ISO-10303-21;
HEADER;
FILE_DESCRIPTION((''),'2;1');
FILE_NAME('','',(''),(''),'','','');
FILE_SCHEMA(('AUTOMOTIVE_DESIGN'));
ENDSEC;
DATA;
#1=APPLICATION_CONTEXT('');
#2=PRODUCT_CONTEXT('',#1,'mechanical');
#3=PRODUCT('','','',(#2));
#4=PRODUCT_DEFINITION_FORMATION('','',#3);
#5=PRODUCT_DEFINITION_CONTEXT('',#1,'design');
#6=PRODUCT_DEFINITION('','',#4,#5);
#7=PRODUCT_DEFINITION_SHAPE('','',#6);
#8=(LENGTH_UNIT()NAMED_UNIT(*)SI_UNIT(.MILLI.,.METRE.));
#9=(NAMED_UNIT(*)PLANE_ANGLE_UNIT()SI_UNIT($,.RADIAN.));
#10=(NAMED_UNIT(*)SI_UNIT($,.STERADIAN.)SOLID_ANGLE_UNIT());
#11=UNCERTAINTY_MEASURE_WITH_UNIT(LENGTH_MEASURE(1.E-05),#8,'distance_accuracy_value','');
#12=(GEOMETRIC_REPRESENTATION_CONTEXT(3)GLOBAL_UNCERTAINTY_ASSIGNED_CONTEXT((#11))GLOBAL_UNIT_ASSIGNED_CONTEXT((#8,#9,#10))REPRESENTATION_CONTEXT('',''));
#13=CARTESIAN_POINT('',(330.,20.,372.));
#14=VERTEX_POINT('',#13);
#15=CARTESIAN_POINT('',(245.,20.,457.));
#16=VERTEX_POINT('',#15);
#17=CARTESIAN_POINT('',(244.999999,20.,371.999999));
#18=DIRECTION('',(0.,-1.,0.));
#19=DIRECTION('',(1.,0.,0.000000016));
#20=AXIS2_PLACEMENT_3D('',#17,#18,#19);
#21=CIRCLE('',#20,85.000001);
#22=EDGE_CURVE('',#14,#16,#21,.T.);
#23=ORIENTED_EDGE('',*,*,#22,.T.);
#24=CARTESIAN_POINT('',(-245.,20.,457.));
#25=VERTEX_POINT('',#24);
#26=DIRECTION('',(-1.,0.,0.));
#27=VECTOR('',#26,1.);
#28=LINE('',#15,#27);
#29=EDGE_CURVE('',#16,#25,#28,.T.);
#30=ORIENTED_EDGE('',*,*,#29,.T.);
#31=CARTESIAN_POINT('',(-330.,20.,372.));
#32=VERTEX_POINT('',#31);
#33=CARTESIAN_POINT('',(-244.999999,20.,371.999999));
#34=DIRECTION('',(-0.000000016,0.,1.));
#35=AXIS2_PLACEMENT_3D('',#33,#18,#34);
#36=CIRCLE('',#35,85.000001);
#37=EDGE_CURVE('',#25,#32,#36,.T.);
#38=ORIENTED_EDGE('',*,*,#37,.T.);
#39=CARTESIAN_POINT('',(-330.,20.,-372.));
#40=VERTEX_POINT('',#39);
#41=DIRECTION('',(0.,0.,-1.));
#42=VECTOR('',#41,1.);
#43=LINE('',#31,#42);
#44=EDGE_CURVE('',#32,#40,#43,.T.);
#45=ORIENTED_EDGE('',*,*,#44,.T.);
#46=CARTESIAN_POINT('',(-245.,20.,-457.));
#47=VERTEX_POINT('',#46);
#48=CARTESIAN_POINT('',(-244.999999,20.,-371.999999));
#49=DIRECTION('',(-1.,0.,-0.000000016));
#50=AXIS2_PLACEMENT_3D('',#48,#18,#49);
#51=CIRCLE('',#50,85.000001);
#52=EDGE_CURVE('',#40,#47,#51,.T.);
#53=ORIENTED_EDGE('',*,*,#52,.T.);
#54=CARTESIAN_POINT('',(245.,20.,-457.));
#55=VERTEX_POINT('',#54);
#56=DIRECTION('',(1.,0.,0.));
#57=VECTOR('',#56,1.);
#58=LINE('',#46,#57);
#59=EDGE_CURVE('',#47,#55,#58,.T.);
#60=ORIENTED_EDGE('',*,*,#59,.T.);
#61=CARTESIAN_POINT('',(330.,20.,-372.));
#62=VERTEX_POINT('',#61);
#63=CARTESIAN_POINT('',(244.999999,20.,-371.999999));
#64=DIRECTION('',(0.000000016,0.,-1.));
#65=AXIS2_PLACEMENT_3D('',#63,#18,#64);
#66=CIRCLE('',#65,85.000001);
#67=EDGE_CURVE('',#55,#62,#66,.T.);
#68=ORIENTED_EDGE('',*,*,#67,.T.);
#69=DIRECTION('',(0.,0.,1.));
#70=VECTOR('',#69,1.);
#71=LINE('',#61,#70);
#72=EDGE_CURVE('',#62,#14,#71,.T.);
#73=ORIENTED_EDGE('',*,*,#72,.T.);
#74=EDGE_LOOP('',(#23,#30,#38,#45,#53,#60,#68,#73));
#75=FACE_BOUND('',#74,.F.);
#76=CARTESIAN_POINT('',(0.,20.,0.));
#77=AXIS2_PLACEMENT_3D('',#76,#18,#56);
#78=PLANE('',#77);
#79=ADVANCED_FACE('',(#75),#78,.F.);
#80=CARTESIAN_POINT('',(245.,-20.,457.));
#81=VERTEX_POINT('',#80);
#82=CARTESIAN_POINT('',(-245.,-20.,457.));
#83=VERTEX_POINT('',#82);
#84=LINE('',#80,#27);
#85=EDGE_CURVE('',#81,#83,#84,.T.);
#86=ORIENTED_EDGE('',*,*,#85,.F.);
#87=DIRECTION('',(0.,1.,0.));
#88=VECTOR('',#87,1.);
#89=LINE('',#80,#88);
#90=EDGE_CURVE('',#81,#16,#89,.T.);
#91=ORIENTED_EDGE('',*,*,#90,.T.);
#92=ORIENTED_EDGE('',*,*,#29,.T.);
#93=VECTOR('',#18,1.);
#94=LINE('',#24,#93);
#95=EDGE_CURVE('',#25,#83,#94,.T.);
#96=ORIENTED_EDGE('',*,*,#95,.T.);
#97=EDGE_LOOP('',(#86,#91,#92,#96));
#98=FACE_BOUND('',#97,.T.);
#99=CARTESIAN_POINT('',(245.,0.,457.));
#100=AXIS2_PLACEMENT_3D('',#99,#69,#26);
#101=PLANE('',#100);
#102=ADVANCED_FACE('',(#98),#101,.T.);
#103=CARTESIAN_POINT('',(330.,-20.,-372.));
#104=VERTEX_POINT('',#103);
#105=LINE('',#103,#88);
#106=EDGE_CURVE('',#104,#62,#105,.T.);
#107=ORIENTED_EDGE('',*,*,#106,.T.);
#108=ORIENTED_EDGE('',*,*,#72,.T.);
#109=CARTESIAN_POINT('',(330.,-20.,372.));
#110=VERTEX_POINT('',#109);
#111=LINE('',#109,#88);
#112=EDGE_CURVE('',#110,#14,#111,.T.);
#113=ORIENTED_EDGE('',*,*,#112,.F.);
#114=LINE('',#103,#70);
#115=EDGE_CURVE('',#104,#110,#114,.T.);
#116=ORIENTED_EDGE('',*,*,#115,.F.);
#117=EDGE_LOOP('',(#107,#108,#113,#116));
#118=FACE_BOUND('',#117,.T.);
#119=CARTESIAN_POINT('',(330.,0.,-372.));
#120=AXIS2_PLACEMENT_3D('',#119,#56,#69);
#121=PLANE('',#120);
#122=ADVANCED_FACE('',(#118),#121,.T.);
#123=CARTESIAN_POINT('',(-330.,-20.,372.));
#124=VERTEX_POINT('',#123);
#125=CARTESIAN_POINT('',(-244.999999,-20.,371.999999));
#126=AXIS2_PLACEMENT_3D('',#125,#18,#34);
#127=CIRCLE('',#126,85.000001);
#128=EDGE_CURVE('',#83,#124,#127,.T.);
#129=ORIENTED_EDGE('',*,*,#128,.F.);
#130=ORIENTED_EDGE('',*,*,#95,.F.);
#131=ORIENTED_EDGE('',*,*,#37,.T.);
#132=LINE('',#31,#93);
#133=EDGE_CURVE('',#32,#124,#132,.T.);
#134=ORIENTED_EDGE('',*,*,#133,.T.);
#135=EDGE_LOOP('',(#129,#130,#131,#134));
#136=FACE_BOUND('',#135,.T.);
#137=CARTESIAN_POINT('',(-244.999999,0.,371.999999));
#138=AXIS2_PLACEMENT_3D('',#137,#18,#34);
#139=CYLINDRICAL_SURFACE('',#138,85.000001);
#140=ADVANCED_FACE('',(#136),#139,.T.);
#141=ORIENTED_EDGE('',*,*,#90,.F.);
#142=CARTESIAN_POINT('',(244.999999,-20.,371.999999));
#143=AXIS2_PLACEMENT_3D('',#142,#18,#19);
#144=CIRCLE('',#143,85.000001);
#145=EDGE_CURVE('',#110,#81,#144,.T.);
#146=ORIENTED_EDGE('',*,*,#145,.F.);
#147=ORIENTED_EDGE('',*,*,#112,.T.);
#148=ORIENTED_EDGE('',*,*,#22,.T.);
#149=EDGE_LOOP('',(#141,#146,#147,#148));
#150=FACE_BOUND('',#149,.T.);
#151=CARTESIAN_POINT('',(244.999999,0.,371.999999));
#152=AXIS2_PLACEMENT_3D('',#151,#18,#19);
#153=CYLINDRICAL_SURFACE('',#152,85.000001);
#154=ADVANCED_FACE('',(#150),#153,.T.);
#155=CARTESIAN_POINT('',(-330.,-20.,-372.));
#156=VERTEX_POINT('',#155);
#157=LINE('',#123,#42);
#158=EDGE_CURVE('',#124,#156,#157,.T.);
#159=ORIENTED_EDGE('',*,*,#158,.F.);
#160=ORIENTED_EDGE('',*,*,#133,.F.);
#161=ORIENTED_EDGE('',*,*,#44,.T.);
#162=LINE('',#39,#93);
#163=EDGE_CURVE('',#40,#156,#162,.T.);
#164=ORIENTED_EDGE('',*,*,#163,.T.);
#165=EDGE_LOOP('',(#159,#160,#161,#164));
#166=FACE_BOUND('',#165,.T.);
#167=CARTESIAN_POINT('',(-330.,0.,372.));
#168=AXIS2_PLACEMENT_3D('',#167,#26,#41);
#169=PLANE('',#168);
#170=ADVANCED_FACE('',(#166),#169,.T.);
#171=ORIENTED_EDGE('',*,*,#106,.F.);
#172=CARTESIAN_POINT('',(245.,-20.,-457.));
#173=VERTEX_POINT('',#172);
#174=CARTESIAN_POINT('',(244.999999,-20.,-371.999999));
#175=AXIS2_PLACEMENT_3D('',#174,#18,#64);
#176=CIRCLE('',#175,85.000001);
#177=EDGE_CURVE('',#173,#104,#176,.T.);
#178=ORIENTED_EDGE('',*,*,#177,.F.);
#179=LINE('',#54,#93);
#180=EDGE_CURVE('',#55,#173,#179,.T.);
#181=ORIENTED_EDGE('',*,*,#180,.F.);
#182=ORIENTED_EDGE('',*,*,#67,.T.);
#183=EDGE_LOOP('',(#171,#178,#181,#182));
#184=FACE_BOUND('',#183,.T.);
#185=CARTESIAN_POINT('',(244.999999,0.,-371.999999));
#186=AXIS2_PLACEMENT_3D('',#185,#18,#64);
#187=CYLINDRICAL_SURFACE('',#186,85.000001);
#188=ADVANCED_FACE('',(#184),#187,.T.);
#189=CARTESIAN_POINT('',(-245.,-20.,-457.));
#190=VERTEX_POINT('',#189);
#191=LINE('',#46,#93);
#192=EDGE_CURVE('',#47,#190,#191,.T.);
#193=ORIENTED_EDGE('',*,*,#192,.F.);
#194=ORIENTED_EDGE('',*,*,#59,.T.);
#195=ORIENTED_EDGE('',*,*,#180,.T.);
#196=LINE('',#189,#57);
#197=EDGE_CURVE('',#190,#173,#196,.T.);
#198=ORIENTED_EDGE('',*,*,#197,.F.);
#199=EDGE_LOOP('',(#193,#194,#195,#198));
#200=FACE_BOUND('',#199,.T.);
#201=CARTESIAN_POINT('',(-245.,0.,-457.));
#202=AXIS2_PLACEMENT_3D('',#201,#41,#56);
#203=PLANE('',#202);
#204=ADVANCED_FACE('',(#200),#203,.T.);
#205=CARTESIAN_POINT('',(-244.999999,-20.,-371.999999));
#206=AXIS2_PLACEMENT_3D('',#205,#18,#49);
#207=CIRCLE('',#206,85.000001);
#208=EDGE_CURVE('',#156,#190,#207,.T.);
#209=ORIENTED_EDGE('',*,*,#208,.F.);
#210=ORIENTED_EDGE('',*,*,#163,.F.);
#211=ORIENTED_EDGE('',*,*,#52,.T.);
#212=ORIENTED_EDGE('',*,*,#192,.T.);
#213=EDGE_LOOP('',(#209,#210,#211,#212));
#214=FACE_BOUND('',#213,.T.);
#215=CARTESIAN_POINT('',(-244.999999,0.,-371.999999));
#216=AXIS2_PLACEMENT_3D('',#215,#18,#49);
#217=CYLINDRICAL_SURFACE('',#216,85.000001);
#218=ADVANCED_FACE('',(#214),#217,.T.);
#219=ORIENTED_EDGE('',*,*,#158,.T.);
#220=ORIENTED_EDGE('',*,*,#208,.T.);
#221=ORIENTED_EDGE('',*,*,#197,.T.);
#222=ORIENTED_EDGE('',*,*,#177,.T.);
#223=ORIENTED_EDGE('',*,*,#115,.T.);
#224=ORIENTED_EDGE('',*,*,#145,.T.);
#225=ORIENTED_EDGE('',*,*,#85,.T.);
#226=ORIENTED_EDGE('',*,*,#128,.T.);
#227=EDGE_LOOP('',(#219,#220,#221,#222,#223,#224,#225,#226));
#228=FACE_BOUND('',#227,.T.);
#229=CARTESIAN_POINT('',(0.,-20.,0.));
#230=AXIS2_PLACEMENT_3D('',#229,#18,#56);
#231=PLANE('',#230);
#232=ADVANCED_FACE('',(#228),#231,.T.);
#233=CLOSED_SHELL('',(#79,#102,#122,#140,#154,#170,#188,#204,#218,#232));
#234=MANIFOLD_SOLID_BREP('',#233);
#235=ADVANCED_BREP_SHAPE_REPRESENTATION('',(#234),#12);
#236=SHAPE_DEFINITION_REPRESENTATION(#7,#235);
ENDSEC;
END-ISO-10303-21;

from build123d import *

# Parameters (mm, degrees)
F1_DEPTH = 20


with BuildPart() as f1:
    # F0 (on Front) → F1 (new body, symmetric)
    with BuildSketch(Plane.XZ):
        with BuildLine():
            Line((245, 457), (-245, 457))
            ThreePointArc((-245, 457), (-305.104076, 432.104076), (-330, 372))
            Line((-330, 372), (-330, -372))
            ThreePointArc((-330, -372), (-305.104076, -432.104076), (-245, -457))
            Line((-245, -457), (245, -457))
            ThreePointArc((245, -457), (305.104076, -432.104076), (330, -372))
            Line((330, -372), (330, 372))
            ThreePointArc((330, 372), (305.104076, 432.104076), (245, 457))
        make_face()
    extrude(amount=F1_DEPTH, both=True)


solid = f1.part
